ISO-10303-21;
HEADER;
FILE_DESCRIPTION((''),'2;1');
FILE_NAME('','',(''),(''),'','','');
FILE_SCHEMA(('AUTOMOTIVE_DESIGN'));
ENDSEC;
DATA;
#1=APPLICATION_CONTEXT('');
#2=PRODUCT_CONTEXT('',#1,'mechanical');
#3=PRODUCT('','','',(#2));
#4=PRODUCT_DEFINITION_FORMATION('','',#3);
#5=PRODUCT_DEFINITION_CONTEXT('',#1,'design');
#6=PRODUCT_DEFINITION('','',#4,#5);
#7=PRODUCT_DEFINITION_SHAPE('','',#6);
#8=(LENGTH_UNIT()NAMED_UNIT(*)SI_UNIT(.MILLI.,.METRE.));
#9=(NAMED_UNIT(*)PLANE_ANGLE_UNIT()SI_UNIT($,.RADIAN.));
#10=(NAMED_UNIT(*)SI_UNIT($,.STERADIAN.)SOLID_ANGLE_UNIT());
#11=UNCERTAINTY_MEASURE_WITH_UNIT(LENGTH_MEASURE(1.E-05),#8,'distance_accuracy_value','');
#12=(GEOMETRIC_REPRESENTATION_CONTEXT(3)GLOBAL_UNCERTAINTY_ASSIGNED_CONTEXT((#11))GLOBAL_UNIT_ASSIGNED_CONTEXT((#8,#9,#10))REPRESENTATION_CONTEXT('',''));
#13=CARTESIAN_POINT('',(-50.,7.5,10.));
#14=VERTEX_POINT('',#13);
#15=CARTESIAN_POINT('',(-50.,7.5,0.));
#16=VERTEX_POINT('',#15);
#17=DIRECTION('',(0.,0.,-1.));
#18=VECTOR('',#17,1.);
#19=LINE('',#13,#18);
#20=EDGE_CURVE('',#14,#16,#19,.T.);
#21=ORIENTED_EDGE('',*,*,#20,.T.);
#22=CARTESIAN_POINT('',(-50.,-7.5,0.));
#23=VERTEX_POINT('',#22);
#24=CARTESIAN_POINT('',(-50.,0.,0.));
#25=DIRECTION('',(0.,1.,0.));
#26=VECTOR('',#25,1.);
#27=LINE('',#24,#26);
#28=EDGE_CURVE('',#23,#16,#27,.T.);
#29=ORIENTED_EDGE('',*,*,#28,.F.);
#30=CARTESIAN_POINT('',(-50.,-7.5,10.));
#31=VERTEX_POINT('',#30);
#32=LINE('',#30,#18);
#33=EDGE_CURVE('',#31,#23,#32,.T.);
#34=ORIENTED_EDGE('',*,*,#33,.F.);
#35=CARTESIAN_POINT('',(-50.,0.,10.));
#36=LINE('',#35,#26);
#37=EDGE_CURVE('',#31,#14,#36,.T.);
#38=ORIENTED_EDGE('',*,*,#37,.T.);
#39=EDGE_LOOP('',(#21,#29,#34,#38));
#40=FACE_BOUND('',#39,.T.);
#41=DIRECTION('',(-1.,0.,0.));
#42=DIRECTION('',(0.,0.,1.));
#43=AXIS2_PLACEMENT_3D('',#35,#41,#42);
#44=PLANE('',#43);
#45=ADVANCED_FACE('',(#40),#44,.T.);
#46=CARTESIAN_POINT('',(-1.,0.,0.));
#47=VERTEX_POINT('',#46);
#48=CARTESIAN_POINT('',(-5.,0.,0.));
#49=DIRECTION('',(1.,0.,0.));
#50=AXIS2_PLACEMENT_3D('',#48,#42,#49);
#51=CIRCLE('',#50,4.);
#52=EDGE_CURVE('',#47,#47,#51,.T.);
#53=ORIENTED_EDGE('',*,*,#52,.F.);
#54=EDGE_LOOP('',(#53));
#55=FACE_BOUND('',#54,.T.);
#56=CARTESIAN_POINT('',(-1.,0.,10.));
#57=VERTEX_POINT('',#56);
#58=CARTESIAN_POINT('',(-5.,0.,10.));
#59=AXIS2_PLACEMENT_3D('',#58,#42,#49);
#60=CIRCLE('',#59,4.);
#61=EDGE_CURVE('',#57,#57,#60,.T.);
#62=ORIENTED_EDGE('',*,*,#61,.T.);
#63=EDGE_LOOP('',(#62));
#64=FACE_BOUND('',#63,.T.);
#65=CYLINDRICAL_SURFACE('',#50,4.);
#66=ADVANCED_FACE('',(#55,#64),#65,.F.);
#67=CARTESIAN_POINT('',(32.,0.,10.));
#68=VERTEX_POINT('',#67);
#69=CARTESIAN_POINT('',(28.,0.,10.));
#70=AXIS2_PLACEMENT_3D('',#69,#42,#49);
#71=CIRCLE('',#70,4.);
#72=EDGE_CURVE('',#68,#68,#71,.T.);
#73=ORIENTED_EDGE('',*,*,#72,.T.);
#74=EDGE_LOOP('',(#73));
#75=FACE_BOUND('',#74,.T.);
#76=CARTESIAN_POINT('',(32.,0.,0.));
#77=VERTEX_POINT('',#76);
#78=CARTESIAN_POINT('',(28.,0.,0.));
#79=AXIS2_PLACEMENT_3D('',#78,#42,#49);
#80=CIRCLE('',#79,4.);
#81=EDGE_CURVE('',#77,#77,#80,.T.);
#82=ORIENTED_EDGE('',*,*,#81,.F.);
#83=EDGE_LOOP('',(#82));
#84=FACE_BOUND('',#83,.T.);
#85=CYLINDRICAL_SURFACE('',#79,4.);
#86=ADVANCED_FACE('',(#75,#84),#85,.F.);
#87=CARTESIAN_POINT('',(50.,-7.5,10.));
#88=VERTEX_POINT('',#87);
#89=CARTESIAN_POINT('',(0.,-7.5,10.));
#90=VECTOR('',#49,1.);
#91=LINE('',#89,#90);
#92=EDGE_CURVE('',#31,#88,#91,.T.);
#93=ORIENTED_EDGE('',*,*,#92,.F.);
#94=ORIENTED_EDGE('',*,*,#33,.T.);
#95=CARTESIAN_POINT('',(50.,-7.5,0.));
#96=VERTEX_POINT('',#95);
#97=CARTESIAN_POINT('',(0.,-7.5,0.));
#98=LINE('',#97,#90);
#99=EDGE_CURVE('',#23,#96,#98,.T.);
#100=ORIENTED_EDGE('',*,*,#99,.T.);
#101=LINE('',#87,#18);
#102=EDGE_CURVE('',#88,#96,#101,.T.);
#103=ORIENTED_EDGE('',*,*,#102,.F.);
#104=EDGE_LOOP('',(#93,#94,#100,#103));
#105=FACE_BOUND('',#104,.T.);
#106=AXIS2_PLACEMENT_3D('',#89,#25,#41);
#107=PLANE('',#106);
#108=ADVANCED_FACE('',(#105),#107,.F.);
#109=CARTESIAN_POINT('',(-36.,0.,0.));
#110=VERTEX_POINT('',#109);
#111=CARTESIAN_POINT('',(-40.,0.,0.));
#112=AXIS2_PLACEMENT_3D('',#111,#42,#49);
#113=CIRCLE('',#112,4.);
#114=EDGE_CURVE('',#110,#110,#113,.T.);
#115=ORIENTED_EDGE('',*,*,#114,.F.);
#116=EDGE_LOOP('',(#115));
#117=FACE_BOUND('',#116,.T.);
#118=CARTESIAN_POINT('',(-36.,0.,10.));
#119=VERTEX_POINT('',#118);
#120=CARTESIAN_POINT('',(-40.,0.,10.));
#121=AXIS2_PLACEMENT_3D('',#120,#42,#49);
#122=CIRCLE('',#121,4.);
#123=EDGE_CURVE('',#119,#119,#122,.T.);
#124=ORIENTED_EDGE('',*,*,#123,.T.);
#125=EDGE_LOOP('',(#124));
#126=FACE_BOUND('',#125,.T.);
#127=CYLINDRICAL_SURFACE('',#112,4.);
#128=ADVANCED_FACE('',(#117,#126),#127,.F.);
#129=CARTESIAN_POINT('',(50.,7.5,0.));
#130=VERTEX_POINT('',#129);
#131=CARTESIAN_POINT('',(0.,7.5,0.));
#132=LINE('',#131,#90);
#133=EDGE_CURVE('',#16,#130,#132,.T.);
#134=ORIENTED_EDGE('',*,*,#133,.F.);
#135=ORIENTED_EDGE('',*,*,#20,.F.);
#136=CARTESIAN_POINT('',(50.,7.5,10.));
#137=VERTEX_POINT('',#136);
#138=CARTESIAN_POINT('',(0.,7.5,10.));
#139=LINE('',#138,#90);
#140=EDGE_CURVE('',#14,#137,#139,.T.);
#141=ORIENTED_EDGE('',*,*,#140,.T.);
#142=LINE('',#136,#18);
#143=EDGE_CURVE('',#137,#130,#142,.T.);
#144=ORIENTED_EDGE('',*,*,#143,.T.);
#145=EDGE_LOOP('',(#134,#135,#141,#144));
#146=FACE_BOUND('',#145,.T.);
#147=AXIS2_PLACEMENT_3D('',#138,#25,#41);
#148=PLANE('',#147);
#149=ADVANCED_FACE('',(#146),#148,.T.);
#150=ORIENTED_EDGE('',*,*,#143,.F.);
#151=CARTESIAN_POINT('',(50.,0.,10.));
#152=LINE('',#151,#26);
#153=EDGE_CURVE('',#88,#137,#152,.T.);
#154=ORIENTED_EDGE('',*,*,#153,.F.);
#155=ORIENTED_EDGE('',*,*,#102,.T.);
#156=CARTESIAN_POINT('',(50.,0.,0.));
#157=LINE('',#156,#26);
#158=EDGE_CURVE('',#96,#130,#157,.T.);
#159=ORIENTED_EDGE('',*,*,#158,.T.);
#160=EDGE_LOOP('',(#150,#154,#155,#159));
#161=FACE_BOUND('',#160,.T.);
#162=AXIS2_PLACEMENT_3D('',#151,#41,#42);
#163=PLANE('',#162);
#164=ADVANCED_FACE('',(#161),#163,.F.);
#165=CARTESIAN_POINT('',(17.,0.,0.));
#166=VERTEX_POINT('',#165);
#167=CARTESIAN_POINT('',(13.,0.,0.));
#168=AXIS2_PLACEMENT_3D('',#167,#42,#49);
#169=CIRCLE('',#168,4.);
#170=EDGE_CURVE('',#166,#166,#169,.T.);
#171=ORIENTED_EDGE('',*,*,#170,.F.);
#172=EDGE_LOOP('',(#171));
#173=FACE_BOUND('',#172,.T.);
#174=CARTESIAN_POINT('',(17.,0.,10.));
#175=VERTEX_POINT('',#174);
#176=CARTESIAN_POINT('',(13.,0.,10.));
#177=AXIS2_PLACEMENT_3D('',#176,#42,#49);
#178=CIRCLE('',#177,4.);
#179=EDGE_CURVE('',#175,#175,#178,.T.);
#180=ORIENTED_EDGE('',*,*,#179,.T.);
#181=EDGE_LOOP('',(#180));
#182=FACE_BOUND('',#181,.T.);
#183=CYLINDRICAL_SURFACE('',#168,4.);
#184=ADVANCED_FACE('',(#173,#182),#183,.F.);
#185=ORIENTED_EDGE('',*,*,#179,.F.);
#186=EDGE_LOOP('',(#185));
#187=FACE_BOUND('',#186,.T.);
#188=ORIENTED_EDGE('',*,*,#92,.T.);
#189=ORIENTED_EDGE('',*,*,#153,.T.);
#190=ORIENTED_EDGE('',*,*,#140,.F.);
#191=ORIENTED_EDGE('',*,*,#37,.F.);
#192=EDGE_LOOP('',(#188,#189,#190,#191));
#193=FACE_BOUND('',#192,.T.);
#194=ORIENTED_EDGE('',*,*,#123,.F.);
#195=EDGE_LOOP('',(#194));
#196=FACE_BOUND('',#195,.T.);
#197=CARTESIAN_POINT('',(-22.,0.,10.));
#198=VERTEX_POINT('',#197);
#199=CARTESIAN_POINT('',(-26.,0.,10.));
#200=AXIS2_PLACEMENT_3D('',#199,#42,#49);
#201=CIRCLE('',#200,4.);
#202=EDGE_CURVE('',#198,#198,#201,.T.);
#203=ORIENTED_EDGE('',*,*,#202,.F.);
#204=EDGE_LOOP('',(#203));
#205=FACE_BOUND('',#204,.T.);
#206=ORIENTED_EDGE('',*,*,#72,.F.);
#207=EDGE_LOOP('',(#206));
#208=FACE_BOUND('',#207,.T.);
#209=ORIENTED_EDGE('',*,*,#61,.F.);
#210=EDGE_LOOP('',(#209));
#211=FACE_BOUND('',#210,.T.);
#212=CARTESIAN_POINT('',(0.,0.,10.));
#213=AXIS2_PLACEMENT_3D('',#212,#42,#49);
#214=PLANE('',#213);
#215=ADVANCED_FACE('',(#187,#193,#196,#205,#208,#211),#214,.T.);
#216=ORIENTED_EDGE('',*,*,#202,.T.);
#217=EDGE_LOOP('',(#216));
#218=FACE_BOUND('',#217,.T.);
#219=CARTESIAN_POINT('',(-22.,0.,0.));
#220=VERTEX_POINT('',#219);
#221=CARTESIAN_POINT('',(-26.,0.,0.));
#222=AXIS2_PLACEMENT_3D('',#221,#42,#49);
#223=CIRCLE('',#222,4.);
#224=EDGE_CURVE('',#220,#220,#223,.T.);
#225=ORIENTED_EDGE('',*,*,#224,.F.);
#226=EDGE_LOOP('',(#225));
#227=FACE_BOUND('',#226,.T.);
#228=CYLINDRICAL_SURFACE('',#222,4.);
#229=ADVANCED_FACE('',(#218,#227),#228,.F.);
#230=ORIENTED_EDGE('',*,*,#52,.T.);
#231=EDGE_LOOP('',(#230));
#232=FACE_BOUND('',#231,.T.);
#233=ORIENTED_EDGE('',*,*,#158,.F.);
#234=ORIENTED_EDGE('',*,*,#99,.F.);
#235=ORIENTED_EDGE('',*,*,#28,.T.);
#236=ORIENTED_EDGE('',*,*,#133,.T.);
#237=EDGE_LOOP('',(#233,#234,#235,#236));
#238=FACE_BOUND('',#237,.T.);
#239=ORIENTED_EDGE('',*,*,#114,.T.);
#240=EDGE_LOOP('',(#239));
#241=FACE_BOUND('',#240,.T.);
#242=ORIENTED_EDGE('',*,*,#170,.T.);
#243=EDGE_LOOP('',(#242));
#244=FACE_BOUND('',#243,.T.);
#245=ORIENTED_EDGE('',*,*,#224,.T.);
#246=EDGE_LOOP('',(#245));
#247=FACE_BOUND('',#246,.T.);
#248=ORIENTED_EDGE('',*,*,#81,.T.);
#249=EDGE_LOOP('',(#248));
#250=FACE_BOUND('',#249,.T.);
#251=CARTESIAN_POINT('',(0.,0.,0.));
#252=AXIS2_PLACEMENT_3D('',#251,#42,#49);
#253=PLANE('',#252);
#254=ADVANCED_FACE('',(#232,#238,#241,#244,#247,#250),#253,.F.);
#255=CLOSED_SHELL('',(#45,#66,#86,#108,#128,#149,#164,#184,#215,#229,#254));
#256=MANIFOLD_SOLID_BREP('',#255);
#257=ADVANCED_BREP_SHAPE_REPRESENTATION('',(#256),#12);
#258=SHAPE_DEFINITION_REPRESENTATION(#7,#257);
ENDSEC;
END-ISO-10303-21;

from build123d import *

# Parameters (mm, degrees)
SKETCH_1_W          = 100
SKETCH_1_H          = 15
EXTRUDE_1_DEPTH     = 10
SKETCH_4_R          = 4
CUT_EXTRUDE_3_DEPTH = 52.53882032


with BuildPart() as part:
    # Эскиз1 → Бобышка-Вытянуть1 (new body)
    with BuildSketch(Plane.XY):
        Rectangle(SKETCH_1_W, SKETCH_1_H)
    extrude(amount=EXTRUDE_1_DEPTH)

    # Эскиз4 → Вырез-Вытянуть3 (cut, through all)
    with BuildSketch(Plane.XY.offset(10)):
        with Locations((-40, 0)):
            Circle(SKETCH_4_R)
        with Locations((-26, 0)):
            Circle(SKETCH_4_R)
        with Locations((-5, 0)):
            Circle(SKETCH_4_R)
        with Locations((13, 0)):
            Circle(SKETCH_4_R)
        with Locations((28, 0)):
            Circle(SKETCH_4_R)
    extrude(amount=-CUT_EXTRUDE_3_DEPTH, mode=Mode.SUBTRACT)


solid = part.part
